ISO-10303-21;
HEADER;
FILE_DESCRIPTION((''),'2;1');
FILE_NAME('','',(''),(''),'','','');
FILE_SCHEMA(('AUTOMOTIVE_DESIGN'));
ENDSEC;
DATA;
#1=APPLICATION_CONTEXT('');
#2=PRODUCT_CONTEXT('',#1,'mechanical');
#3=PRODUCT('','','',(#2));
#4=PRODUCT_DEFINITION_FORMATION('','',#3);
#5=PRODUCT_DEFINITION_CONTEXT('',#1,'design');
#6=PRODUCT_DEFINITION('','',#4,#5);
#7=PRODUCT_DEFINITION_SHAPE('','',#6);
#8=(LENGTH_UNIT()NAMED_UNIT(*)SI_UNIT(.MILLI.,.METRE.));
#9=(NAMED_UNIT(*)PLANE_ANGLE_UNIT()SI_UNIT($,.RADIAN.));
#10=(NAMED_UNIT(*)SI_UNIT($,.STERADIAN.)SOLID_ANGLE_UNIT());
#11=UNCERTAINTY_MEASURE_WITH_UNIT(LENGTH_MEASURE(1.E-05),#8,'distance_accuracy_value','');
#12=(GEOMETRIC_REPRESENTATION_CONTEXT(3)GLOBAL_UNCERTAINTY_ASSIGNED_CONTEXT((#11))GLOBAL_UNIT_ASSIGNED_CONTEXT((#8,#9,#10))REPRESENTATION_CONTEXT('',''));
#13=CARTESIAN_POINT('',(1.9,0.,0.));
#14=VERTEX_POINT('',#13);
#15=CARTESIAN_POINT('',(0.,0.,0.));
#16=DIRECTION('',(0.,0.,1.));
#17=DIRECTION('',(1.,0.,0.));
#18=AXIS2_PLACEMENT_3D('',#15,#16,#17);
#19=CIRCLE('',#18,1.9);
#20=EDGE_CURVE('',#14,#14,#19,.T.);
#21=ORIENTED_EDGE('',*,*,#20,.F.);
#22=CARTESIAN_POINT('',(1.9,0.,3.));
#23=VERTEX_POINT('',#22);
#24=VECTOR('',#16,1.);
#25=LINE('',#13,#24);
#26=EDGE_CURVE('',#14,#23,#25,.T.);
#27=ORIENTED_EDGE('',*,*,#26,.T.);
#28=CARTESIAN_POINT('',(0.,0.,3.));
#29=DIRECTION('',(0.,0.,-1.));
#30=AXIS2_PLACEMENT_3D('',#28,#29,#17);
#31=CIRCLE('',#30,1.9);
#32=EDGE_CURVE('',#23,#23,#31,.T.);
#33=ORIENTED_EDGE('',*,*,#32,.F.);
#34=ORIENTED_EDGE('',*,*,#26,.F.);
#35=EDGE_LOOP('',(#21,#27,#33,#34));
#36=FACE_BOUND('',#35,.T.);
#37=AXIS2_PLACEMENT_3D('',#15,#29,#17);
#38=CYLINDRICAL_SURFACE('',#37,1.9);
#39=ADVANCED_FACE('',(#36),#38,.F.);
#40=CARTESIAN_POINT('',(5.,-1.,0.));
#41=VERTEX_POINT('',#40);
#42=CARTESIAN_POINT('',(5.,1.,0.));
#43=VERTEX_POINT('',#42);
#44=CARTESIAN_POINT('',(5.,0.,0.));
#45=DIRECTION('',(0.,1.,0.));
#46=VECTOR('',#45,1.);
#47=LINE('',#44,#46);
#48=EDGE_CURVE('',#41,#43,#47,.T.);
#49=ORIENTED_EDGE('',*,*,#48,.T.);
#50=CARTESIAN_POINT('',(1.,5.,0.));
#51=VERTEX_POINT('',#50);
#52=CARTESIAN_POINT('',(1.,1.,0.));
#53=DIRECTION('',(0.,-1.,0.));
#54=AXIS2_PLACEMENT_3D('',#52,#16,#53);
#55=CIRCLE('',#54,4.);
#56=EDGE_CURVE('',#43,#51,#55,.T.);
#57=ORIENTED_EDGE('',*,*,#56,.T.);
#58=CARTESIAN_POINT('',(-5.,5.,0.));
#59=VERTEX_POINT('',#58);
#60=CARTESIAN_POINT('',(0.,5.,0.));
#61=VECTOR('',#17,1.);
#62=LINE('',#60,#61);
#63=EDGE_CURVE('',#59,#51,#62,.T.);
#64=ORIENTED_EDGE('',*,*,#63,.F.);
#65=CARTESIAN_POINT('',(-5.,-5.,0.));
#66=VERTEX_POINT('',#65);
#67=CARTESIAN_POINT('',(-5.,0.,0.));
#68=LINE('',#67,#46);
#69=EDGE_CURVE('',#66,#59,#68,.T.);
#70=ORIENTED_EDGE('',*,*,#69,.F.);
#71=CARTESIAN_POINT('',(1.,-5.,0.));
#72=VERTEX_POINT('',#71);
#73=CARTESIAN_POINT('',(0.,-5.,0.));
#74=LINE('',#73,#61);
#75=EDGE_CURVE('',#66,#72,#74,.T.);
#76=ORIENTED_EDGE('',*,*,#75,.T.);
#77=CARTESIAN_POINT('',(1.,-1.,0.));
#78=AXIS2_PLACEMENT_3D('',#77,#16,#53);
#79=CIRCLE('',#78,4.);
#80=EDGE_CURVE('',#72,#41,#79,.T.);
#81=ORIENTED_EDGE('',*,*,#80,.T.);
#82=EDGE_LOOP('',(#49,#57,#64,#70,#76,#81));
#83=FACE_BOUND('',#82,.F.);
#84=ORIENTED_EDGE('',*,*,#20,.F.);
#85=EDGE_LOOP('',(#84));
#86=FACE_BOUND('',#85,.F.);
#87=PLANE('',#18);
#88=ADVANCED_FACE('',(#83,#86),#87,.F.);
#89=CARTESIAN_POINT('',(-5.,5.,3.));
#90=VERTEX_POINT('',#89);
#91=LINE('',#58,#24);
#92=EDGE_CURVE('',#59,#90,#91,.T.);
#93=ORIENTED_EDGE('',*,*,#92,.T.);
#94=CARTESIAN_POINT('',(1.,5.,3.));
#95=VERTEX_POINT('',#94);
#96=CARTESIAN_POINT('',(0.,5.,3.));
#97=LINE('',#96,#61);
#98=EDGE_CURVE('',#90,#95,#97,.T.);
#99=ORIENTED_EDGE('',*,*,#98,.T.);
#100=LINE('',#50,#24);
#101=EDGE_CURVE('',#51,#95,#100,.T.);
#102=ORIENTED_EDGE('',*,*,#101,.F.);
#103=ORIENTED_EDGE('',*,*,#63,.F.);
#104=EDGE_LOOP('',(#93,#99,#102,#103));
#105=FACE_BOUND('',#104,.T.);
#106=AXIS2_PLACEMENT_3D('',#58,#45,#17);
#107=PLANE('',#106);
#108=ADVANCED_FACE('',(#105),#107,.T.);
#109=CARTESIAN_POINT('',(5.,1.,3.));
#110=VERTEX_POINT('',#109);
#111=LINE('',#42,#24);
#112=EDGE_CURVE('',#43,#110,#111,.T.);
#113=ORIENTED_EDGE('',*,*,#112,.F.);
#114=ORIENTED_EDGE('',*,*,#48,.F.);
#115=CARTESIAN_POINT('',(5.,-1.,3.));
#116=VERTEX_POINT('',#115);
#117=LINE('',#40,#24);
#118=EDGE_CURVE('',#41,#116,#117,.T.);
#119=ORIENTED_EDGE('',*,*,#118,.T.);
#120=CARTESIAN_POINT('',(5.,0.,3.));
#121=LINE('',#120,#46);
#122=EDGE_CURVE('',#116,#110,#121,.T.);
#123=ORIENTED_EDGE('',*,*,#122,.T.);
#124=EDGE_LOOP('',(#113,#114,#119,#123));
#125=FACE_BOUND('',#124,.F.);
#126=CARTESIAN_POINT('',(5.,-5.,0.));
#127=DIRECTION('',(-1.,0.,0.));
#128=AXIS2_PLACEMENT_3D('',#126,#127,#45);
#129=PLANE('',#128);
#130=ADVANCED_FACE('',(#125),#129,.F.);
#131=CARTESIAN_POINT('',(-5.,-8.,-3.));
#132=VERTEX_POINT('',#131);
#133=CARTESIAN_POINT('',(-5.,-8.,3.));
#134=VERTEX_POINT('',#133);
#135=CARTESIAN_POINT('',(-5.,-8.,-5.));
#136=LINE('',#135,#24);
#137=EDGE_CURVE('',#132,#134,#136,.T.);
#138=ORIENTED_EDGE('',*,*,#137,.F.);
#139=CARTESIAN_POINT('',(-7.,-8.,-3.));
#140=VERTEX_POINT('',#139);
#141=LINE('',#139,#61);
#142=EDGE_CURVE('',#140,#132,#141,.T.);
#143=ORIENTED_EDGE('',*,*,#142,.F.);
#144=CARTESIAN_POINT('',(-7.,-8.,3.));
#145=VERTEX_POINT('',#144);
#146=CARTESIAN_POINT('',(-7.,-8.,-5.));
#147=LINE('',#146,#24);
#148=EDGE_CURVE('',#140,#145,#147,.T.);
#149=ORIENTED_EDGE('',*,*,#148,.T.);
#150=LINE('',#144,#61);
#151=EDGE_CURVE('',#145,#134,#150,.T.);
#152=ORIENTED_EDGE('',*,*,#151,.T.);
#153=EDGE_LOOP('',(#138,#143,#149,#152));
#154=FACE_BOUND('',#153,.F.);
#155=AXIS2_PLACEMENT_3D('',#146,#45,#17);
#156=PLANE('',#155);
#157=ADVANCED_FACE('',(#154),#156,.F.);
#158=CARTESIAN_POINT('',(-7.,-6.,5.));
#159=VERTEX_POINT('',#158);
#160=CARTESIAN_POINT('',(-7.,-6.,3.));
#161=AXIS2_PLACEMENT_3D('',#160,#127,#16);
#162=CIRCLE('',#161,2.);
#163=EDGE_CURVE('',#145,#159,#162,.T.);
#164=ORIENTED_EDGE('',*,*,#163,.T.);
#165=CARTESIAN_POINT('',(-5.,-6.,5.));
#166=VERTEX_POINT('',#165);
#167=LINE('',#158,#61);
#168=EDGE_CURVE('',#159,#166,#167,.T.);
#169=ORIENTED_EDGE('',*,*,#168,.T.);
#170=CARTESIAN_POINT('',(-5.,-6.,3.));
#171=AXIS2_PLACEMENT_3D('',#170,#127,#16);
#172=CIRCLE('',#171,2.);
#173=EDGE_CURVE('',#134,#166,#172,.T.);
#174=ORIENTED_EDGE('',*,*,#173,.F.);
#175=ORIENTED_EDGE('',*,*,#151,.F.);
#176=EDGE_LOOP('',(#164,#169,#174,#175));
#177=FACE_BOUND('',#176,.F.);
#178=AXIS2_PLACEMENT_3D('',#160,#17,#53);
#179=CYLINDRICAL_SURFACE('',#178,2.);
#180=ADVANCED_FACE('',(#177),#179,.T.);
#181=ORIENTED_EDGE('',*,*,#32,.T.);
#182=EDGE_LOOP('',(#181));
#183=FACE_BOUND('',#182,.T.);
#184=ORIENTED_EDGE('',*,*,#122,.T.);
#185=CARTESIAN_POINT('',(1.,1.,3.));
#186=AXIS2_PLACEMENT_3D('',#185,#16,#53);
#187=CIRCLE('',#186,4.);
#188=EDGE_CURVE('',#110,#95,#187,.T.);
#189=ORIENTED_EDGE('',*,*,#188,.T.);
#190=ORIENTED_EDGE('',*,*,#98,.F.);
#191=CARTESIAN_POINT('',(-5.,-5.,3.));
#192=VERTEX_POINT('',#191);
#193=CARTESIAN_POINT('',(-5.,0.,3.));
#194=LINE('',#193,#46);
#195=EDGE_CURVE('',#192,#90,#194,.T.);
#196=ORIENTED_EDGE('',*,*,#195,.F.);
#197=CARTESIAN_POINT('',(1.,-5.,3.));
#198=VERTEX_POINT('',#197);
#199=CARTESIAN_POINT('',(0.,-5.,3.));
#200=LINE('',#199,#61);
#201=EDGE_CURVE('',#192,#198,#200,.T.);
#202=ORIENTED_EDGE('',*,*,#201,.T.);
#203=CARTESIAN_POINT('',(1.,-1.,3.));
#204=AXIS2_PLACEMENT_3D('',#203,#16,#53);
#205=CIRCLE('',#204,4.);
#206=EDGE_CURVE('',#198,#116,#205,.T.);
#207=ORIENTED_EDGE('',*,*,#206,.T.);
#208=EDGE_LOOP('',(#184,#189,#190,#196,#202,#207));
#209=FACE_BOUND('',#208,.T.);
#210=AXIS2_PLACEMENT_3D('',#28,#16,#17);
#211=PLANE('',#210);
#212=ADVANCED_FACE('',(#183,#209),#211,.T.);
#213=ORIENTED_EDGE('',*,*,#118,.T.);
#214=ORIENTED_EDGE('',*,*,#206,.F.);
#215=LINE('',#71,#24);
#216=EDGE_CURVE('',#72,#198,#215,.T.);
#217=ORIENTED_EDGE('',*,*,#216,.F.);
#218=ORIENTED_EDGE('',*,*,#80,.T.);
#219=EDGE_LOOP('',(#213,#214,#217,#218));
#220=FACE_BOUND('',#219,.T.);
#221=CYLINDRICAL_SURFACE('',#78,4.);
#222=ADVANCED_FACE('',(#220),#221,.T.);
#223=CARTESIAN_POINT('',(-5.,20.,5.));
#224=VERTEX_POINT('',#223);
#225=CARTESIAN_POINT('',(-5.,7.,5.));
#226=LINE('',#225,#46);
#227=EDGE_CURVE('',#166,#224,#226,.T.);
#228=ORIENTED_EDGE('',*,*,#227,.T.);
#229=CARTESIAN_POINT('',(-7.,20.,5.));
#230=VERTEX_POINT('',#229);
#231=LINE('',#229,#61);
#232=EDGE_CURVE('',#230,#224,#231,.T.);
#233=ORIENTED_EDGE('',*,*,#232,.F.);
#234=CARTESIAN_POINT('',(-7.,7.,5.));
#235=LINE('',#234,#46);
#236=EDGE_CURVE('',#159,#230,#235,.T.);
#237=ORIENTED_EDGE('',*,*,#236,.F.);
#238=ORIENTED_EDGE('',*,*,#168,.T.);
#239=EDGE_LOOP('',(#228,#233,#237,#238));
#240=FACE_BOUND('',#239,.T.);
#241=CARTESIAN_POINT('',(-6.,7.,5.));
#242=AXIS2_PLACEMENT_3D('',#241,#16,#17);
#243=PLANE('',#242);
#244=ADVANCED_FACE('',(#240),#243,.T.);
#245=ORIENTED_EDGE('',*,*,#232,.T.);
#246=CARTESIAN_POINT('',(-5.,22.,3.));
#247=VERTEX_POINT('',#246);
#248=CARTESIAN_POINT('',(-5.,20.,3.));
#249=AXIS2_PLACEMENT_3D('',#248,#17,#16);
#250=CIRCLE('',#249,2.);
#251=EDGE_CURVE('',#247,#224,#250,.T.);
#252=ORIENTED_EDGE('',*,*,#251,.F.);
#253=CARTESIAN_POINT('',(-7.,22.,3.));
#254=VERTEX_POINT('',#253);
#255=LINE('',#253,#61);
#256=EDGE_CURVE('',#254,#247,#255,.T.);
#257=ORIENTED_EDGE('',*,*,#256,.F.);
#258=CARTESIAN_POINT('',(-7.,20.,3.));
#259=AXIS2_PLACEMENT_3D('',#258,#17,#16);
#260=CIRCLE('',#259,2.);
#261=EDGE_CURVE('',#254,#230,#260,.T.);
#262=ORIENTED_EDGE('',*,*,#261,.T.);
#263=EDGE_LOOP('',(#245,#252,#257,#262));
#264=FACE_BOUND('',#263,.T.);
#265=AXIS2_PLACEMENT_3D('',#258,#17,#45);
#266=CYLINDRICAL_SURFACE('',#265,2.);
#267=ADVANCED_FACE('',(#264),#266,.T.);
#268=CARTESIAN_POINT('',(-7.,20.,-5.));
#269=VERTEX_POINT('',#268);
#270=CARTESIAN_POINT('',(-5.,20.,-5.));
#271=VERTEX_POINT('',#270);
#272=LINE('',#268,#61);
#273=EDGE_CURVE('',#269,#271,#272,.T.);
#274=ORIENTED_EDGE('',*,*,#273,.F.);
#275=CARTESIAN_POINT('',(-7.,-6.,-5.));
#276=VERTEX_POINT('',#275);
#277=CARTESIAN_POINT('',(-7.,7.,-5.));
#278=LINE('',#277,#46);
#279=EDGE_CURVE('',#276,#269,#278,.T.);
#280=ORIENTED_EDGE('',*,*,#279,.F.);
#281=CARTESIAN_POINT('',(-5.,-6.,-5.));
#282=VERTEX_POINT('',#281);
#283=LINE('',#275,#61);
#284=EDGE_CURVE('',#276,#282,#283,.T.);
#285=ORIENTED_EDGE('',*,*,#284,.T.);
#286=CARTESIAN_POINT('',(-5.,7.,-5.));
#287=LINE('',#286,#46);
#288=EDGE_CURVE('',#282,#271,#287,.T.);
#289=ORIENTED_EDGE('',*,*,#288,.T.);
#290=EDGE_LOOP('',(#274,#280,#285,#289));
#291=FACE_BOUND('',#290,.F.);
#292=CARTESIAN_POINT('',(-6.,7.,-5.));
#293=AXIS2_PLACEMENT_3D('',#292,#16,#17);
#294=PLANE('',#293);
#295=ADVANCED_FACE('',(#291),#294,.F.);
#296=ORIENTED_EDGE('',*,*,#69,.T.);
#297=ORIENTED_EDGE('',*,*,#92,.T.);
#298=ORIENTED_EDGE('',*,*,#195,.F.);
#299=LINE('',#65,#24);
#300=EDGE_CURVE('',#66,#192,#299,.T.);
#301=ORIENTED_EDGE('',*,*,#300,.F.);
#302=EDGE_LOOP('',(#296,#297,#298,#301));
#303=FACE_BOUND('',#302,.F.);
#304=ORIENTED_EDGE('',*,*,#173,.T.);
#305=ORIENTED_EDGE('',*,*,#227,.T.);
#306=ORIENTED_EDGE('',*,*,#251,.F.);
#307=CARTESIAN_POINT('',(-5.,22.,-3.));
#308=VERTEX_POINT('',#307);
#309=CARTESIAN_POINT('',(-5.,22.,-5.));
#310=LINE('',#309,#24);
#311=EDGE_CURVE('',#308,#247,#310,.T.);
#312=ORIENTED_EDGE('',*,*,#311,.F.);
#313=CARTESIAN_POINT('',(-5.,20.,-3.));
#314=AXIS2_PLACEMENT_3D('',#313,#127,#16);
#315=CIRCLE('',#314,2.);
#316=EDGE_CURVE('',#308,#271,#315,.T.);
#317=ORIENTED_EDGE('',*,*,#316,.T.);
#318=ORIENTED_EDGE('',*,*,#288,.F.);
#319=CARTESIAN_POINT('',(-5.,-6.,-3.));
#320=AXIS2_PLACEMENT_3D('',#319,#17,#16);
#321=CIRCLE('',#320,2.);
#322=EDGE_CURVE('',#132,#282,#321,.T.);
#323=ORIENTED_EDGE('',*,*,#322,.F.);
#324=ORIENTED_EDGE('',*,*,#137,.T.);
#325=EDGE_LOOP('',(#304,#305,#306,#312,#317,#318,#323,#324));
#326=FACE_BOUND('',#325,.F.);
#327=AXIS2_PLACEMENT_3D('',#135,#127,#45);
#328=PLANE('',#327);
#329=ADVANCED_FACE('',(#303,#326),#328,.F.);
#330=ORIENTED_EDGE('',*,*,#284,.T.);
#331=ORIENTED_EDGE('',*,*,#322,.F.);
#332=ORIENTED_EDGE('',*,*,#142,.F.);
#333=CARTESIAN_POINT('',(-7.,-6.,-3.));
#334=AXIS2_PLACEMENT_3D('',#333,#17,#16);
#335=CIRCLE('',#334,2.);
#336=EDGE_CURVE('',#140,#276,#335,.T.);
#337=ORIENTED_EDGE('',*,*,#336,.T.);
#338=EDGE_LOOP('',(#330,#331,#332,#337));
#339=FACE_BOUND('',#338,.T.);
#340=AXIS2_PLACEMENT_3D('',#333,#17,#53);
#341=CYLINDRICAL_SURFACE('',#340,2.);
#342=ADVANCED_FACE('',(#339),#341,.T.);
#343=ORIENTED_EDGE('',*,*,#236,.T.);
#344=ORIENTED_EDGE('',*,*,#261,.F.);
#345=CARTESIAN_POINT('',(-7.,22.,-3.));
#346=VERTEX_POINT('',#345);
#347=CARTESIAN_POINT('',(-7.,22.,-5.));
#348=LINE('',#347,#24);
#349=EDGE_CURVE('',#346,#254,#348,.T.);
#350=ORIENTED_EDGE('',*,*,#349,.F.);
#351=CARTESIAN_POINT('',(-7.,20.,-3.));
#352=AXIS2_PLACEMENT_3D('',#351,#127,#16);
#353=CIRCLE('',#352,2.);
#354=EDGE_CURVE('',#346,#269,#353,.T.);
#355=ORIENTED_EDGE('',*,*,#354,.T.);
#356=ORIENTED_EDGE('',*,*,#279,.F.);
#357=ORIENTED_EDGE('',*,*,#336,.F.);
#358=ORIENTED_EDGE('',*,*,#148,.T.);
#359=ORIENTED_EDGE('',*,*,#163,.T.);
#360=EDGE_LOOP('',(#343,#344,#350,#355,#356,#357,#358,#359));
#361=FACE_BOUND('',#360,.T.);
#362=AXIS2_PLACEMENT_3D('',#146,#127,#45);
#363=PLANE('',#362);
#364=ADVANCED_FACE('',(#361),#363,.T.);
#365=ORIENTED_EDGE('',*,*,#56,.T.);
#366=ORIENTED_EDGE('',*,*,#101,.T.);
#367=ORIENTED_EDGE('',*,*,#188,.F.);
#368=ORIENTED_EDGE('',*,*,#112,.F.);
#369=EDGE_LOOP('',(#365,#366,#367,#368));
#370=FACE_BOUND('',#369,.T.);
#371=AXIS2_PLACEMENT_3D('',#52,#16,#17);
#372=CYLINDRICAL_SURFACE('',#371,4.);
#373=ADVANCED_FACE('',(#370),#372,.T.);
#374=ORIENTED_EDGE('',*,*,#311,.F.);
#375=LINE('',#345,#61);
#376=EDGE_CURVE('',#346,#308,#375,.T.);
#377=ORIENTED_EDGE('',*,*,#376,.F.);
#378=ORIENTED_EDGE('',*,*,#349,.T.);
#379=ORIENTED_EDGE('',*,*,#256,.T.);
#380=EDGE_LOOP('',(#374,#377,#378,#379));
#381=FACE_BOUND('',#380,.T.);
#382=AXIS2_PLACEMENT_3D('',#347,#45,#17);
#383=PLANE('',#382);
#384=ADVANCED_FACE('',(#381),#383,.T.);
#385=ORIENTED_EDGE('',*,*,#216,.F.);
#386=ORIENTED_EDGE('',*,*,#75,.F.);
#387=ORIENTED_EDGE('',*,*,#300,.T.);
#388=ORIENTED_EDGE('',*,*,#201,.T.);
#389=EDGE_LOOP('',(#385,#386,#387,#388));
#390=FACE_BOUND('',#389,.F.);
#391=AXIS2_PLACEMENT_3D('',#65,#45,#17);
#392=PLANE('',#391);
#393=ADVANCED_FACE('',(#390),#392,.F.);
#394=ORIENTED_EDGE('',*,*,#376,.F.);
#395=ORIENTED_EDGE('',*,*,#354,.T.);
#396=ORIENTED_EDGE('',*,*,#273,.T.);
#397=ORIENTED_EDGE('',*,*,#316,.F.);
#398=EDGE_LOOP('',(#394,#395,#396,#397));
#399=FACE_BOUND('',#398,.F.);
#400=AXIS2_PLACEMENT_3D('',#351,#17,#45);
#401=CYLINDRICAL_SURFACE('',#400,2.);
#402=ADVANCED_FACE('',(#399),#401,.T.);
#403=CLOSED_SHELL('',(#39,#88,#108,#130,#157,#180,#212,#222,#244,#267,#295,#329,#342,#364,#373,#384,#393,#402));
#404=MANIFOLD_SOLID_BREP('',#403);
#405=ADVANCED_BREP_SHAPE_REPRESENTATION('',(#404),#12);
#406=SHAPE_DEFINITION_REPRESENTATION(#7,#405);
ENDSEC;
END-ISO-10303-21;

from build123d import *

# Parameters (mm, degrees)
CYLINDER_R     = 1.9
CYLINDER_DEPTH = 10
BOX_W          = 10
BOX_H          = 10
BOX_DEPTH      = 3
FILLET_R       = 4
BOX001_W       = 2
BOX001_H       = 30
BOX001_DEPTH   = 10
FILLET001_R    = 2


with BuildPart() as hole:
    # Cylinder → Cylinder (new body)
    with BuildSketch(Plane.XY):
        Circle(CYLINDER_R)
    extrude(amount=CYLINDER_DEPTH)


with BuildPart() as bottom_fillet:
    # Box → Box (new body)
    with BuildSketch(Plane(origin=(-5, -5, 0), x_dir=(1, 0, 0), z_dir=(0, 0, 1))):
        with Locations((5, 5)):
            Rectangle(BOX_W, BOX_H)
    extrude(amount=BOX_DEPTH)

    # Fillet
    fillet_edges = [bottom_fillet.edges().sort_by_distance(p)[0] for p in [
        (5, -5, 1.5),
        (5, 5, 1.5),
    ]]
    fillet(fillet_edges, radius=FILLET_R)


with BuildPart() as lock_cut:
    # Box001 → Box001 (new body)
    with BuildSketch(Plane(origin=(-7, -8, -5), x_dir=(1, 0, 0), z_dir=(0, 0, 1))):
        with Locations((1, 15)):
            Rectangle(BOX001_W, BOX001_H)
    extrude(amount=BOX001_DEPTH)

    # Fillet001
    fillet001_edges = [lock_cut.edges().sort_by_distance(p)[0] for p in [
        (-6, -8, -5),
        (-6, -8, 5),
        (-6, 22, -5),
        (-6, 22, 5),
    ]]
    fillet(fillet001_edges, radius=FILLET001_R)

    # Fusion: union bottom fillet
    add(bottom_fillet.part)

    # Cut: cut hole
    add(hole.part, mode=Mode.SUBTRACT)


solid = lock_cut.part
